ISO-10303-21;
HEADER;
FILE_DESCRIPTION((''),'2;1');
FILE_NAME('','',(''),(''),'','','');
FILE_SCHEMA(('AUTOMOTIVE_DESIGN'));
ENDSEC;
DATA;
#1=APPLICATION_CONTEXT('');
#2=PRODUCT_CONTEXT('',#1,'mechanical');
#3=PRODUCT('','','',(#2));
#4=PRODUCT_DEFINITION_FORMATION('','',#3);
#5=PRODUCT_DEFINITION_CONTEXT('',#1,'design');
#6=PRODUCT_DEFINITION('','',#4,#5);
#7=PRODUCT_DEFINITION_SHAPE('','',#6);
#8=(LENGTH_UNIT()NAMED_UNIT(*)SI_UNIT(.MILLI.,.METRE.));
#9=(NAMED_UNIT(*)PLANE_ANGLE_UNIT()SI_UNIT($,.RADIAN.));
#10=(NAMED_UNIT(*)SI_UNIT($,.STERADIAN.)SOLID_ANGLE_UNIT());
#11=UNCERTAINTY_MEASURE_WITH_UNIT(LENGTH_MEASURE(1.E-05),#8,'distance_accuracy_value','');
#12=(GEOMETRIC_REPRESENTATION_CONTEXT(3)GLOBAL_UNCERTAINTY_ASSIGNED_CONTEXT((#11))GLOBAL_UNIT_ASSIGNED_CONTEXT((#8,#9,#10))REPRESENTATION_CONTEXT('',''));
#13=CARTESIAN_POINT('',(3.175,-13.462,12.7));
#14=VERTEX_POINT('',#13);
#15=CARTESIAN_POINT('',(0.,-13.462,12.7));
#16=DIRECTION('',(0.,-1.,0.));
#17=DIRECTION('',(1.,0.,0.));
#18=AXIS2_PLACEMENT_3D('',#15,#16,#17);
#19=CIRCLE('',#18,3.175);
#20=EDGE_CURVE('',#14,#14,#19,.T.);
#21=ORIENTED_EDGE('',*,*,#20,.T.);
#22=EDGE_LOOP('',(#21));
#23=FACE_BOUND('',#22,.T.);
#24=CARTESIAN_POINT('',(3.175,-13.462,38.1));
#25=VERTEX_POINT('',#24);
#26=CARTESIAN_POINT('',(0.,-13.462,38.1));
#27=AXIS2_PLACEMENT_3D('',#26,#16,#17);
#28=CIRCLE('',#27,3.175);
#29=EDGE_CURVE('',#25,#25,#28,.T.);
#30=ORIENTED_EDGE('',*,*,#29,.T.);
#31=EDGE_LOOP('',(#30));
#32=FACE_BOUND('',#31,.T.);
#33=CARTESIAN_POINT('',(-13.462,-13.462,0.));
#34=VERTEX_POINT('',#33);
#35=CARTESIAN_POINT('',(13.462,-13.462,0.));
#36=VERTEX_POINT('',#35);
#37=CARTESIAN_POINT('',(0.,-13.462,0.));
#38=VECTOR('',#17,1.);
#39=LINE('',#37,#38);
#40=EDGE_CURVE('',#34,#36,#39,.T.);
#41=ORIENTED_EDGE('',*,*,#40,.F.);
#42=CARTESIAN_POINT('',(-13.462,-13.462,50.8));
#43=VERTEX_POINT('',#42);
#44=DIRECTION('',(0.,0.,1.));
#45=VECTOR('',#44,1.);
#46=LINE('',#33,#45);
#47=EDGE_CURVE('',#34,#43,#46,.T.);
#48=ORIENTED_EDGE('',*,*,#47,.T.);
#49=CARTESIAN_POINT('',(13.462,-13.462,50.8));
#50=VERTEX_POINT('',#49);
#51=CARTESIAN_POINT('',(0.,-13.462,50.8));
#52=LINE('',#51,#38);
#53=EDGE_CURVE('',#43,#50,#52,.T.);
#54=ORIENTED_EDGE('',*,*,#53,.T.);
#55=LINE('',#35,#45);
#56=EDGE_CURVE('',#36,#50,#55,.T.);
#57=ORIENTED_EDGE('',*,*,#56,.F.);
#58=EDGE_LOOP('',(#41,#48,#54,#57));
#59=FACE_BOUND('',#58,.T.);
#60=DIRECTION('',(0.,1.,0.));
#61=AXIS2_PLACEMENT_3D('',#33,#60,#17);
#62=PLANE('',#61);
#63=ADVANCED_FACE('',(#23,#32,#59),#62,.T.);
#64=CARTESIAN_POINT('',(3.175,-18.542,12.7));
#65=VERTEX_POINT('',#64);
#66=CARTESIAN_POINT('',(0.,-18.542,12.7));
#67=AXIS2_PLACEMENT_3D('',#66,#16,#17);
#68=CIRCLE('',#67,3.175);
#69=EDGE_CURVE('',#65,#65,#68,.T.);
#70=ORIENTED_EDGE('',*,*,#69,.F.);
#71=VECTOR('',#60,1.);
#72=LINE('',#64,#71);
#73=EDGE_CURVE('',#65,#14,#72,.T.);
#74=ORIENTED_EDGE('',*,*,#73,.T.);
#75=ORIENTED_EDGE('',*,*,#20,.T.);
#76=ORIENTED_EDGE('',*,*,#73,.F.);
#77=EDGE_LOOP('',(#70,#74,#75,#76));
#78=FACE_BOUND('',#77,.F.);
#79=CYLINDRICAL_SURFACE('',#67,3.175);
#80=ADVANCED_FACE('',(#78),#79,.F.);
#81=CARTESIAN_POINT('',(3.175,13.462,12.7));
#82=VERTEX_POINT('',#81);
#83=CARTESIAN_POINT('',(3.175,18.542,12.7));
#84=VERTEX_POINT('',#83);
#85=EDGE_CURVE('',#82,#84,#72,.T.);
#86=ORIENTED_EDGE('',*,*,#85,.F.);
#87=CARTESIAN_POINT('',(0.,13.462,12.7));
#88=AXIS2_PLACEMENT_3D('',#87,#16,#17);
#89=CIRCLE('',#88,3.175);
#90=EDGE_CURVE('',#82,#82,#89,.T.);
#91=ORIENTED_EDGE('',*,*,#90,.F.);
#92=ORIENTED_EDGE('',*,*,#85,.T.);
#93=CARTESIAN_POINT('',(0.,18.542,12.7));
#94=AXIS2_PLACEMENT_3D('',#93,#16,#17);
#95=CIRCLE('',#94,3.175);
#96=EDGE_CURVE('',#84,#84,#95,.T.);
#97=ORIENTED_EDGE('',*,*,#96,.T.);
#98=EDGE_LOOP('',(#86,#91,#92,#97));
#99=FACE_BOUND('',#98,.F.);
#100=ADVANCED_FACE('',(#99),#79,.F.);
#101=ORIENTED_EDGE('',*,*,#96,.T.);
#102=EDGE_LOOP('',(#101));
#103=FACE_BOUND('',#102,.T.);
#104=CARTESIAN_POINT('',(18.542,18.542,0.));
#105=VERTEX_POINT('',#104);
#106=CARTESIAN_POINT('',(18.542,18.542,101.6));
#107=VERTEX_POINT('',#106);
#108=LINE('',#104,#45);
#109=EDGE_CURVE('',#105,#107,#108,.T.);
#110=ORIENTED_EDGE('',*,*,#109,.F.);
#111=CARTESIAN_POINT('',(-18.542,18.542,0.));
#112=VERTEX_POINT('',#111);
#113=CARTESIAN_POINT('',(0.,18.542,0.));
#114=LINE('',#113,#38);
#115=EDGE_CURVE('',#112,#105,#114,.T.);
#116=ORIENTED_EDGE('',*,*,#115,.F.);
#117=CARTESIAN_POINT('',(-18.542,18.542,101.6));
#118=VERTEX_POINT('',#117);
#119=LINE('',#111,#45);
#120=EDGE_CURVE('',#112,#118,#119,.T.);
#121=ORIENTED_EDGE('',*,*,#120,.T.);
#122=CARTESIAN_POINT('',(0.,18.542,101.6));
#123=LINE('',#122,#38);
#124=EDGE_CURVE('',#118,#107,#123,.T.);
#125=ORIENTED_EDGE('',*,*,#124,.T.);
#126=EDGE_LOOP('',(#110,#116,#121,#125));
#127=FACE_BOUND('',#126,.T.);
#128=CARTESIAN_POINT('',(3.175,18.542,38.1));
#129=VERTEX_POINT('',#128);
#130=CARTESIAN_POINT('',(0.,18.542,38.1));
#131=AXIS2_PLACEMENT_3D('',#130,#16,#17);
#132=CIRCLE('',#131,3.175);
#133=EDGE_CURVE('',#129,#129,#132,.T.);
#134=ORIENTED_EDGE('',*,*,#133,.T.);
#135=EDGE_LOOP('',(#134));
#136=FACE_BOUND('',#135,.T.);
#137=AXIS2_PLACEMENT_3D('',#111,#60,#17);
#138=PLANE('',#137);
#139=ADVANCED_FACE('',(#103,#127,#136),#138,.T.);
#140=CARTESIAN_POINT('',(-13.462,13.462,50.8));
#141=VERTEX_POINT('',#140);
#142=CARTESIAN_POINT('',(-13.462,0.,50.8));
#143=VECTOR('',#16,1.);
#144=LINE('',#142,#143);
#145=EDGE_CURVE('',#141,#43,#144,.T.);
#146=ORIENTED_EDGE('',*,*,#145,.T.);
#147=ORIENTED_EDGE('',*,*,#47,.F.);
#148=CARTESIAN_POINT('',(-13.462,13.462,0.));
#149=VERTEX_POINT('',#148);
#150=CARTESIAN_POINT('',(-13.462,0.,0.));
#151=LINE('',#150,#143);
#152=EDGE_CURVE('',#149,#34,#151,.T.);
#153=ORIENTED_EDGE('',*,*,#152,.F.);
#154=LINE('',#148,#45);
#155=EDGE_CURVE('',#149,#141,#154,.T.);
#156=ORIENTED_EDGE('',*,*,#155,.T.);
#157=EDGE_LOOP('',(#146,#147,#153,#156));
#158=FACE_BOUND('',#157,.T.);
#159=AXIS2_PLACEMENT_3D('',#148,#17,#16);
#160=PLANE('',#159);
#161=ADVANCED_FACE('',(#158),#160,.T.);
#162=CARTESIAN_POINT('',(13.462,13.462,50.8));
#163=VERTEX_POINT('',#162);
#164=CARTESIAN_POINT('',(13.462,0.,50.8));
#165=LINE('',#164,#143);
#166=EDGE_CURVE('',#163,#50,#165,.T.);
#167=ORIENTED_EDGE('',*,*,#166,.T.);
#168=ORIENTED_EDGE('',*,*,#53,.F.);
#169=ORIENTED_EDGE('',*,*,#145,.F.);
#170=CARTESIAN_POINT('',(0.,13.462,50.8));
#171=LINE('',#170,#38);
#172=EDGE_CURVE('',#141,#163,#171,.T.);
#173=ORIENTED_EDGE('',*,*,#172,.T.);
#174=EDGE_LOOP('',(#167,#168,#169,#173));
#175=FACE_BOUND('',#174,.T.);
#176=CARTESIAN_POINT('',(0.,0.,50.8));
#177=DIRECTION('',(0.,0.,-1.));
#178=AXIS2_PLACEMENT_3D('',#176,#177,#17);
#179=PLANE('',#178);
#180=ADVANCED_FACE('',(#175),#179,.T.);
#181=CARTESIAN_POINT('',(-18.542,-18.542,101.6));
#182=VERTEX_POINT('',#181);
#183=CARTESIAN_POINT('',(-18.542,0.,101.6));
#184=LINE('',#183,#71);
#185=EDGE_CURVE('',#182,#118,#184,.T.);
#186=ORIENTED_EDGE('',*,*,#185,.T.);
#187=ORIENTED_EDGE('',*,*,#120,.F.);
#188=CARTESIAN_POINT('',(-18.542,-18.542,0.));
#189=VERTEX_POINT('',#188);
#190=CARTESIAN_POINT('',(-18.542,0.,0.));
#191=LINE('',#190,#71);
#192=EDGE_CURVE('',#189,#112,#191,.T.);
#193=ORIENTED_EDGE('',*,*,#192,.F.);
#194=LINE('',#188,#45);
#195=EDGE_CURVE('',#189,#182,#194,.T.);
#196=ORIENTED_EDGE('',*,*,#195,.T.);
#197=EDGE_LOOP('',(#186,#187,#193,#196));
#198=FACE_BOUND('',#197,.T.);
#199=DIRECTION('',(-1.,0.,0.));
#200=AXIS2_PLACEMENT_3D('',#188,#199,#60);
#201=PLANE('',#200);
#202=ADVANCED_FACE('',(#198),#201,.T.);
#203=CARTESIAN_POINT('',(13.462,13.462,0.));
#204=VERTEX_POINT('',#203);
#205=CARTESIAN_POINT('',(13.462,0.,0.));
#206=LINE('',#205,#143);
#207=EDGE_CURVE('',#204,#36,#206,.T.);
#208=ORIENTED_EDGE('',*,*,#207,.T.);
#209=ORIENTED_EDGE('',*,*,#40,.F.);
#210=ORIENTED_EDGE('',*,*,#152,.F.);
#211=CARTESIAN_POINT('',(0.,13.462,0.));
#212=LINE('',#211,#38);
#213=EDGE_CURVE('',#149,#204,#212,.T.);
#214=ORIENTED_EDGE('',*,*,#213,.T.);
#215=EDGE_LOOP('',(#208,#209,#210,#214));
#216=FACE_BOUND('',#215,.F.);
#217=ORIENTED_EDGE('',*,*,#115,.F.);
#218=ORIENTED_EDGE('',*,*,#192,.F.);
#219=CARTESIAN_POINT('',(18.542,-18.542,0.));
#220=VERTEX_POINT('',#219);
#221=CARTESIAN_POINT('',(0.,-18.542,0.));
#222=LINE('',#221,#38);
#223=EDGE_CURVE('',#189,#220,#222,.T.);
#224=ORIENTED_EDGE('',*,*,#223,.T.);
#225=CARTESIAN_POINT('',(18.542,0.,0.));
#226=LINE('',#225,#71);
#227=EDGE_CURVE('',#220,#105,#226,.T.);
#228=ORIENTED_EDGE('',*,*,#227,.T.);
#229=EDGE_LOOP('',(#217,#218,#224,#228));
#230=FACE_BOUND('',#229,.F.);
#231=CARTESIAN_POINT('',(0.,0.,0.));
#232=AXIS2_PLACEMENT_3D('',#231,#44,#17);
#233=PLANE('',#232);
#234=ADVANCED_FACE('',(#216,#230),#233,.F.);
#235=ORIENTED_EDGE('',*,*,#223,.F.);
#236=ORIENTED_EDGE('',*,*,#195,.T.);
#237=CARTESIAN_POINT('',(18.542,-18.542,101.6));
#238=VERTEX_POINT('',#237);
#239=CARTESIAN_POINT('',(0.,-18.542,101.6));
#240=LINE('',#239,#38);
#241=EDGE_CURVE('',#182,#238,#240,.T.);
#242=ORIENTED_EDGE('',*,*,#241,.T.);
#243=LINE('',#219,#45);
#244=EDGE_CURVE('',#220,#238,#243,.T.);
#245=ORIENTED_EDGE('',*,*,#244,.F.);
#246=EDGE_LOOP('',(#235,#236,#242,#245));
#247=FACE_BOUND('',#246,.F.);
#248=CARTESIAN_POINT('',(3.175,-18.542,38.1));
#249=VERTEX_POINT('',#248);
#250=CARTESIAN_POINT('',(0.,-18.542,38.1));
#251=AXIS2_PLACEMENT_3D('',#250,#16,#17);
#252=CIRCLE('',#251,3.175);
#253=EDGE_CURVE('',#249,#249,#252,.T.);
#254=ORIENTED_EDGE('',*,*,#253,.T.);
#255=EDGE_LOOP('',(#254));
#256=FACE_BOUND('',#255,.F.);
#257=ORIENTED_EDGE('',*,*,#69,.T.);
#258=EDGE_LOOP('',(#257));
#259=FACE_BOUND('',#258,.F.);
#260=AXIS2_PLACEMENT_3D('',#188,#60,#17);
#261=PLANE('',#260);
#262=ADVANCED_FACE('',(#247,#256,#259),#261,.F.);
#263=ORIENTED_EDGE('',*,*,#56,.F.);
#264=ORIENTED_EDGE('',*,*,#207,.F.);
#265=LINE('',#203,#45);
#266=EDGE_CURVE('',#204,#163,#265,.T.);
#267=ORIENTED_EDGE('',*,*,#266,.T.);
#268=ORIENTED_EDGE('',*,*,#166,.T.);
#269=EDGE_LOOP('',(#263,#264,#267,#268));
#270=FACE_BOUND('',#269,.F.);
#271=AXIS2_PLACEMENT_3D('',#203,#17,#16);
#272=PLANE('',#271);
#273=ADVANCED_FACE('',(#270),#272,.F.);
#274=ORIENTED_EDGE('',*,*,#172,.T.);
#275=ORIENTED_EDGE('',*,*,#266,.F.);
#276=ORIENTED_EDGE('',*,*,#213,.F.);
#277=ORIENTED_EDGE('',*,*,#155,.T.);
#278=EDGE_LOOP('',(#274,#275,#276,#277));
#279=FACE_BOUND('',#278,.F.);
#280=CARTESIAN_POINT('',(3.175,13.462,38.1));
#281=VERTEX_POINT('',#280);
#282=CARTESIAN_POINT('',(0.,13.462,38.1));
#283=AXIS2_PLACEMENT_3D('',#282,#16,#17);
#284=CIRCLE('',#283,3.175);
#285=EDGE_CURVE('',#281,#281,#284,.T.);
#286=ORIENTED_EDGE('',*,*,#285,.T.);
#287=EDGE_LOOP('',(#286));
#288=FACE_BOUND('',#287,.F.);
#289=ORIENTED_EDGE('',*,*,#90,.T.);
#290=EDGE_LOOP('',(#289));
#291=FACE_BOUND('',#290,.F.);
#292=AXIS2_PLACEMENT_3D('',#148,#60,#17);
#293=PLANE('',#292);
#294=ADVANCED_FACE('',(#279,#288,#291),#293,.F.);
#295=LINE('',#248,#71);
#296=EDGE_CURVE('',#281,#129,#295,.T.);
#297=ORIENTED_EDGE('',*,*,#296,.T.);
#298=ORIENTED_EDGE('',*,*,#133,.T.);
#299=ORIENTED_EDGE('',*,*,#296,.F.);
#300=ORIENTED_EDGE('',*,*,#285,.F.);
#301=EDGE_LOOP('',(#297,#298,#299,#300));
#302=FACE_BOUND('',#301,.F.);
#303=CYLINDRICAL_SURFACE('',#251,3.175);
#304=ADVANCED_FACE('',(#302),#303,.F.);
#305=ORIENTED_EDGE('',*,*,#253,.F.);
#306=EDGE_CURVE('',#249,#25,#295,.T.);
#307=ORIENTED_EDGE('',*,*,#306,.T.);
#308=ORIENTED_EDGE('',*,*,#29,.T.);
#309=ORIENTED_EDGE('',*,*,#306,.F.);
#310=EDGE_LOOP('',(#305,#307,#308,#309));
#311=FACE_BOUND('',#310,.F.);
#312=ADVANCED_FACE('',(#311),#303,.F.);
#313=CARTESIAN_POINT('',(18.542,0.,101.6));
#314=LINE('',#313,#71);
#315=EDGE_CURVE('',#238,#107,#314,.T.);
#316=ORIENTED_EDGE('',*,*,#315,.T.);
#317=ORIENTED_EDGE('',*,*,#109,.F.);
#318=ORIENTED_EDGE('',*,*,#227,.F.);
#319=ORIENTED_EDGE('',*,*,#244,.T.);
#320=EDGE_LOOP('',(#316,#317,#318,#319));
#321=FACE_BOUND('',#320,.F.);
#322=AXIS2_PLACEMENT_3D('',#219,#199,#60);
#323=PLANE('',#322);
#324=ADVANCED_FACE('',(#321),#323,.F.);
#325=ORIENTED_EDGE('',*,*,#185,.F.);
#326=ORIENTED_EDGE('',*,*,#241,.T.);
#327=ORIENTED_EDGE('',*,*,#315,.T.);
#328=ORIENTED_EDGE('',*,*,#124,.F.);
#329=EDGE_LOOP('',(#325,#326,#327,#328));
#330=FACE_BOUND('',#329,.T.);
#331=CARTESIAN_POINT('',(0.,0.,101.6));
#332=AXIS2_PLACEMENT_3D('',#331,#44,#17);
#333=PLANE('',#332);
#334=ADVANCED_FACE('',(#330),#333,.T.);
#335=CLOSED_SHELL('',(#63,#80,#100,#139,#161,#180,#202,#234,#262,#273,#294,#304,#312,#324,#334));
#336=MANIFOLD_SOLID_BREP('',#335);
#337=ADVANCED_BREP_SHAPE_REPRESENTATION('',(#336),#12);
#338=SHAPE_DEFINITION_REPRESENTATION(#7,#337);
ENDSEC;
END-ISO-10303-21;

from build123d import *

# Parameters (mm, degrees)
F0_W     = 37.084
F0_H     = 37.084
F1_DEPTH = 101.6
F2_W     = 26.924
F2_H     = 26.924
F3_DEPTH = 50.8
F4_R     = 3.175
F5_DEPTH = 37.085
F6_R     = 3.175
F7_DEPTH = 37.085


with BuildPart() as f1:
    # F0 (on Top) → F1 (new body)
    with BuildSketch(Plane.XY):
        Rectangle(F0_W, F0_H)
    extrude(amount=F1_DEPTH)

    # F2 (on face) → F3 (cut)
    with BuildSketch(Plane(origin=(0, 0, 0), x_dir=(1, 0, 0), z_dir=(0, 0, -1))):
        Rectangle(F2_W, F2_H)
    extrude(amount=-F3_DEPTH, mode=Mode.SUBTRACT)

    # F4 (on face) → F5 (cut, through all)
    with BuildSketch(Plane.XZ.offset(18.542)):
        with Locations((0, 12.7)):
            Circle(F4_R)
    extrude(amount=-F5_DEPTH, mode=Mode.SUBTRACT)

    # F6 (on face) → F7 (cut, through all)
    with BuildSketch(Plane.XZ.offset(18.542)):
        with Locations((0, 38.1)):
            Circle(F6_R)
    extrude(amount=-F7_DEPTH, mode=Mode.SUBTRACT)


solid = f1.part
